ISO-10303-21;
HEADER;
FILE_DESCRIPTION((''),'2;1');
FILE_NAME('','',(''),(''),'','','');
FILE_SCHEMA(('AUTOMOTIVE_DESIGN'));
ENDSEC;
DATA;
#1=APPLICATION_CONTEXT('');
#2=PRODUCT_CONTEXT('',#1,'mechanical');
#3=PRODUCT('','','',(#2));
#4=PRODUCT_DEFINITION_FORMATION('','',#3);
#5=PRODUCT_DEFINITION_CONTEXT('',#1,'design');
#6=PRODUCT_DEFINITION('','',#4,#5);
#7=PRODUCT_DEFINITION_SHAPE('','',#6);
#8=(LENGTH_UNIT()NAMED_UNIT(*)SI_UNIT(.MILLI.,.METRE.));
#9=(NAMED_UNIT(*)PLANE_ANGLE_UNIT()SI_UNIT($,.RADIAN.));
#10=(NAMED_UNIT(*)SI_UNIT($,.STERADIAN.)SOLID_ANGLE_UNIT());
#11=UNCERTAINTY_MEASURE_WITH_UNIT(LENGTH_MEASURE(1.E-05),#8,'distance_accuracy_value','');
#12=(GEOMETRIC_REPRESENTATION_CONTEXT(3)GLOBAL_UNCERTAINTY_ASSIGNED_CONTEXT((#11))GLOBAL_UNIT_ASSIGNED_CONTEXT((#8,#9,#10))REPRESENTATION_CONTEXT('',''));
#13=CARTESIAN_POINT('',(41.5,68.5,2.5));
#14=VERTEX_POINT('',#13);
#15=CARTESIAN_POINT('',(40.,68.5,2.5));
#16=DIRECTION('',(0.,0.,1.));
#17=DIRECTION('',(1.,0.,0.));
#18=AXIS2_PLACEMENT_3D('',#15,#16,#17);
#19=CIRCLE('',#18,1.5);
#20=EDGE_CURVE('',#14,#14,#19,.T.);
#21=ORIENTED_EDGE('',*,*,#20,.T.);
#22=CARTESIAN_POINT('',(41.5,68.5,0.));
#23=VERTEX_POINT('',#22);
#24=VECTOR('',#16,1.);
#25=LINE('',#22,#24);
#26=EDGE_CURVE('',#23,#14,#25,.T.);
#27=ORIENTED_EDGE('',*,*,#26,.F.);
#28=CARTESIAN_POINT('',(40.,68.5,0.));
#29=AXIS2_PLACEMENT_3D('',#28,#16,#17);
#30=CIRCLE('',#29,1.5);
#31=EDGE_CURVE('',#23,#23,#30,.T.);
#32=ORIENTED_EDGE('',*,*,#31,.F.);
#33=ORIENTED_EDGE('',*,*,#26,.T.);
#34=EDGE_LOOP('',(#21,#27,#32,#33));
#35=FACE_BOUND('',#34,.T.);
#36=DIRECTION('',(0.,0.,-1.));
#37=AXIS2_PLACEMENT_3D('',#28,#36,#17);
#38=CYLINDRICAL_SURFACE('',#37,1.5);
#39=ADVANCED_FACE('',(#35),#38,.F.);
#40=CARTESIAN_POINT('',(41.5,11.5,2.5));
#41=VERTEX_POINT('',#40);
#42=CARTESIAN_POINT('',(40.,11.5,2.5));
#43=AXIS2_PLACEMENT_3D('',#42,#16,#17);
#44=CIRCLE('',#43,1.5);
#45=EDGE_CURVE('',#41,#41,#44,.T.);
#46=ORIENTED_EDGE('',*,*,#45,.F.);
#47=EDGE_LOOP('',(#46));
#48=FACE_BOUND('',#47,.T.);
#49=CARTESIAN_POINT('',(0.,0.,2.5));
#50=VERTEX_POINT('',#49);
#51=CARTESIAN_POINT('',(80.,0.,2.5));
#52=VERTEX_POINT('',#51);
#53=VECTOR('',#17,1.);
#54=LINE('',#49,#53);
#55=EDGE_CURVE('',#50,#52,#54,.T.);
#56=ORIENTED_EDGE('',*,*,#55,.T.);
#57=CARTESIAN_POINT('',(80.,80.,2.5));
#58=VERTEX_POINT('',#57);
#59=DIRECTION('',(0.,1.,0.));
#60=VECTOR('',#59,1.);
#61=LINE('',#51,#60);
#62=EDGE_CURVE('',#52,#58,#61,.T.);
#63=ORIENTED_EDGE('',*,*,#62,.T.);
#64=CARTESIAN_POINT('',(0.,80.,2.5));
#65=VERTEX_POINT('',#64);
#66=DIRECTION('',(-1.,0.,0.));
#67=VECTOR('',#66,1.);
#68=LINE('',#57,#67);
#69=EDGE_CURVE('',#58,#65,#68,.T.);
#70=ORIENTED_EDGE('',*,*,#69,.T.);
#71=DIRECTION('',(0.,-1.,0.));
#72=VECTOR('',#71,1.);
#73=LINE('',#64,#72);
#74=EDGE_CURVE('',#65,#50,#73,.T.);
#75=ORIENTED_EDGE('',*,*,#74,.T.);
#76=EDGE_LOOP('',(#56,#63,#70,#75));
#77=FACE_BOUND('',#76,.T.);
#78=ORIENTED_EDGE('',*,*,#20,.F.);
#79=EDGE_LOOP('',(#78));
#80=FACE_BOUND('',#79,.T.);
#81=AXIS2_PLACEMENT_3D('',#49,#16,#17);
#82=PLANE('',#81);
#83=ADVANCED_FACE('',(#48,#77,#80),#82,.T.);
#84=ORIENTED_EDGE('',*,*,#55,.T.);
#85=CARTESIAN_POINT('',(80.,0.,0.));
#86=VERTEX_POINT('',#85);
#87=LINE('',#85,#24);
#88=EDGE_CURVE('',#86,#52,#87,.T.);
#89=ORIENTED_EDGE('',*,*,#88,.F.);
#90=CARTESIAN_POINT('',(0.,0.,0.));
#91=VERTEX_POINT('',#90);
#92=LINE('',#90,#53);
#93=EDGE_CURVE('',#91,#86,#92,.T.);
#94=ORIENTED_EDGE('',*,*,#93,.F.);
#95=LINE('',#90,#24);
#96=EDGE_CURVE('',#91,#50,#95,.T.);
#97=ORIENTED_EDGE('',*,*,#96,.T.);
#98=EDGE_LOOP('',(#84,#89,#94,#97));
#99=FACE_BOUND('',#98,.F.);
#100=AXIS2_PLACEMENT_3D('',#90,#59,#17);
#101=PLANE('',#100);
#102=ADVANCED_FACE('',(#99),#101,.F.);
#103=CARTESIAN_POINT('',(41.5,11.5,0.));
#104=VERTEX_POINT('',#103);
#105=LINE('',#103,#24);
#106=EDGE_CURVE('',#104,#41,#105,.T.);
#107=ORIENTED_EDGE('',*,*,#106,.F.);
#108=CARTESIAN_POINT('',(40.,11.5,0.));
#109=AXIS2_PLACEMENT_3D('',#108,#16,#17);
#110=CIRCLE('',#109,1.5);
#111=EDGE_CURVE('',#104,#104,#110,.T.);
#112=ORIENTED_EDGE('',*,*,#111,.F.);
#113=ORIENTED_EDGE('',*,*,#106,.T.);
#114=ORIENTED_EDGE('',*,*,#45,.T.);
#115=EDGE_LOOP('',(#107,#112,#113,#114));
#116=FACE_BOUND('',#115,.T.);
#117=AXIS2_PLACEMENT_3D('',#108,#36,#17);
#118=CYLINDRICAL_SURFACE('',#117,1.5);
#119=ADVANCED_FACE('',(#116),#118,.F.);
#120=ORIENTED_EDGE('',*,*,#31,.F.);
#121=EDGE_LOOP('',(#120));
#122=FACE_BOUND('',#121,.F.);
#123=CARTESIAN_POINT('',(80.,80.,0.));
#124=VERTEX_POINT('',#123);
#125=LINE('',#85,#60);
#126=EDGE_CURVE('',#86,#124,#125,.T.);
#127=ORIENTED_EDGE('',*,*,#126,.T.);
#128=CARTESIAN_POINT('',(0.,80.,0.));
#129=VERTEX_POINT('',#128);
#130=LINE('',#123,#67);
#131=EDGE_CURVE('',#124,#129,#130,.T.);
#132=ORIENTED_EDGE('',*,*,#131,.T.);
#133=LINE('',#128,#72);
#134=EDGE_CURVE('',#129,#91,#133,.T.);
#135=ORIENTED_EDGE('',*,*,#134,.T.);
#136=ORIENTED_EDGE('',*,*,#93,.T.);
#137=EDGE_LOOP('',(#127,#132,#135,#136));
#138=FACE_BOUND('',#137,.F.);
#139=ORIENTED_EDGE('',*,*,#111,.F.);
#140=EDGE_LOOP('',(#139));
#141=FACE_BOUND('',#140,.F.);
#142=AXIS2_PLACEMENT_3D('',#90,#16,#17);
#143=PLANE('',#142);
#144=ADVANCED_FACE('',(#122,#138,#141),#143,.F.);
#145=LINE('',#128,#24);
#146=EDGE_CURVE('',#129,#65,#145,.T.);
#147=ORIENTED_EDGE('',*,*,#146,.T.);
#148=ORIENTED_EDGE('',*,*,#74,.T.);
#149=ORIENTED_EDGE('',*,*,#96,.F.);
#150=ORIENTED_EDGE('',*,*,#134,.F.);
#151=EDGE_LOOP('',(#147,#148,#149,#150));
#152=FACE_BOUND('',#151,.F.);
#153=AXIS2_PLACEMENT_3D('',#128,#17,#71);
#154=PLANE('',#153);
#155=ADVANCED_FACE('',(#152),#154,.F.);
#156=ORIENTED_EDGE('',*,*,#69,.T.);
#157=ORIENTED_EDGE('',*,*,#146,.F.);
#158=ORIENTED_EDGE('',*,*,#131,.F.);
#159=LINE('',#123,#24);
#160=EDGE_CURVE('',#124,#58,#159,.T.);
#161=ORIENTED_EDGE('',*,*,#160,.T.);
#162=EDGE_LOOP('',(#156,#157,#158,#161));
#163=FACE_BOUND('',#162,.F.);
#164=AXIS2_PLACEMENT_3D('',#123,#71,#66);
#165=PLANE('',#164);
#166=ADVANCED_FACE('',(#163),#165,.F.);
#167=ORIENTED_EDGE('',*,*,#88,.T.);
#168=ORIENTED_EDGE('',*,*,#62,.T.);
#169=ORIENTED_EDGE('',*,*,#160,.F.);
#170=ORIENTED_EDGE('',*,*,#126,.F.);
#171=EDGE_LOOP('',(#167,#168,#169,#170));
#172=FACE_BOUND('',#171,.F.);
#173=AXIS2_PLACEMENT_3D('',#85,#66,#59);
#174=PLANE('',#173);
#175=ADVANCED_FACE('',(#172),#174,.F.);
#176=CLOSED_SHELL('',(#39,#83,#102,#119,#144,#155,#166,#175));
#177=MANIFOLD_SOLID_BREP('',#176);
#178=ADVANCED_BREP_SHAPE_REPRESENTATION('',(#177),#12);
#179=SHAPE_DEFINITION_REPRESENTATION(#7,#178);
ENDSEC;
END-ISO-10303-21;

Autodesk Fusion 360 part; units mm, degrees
sketch "Sketch1" plane through (0, 0, 0) normal (0, 0, 1) x (1, 0, 0)
  line L0 (0, 0) -> (80, 0)
  line L1 (80, 0) -> (80, 80)
  line L2 (80, 80) -> (0, 80)
  line L3 (0, 80) -> (0, 0)
  circle A0 centre (40, 68.5) radius 1.5
  circle A1 centre (40, 11.5) radius 1.5
  dimension "d1" = 80
  dimension "d2" = 80
  dimension "d3" = 3
  dimension "d4" = 3
  dimension "d5" = 57
  dimension "d6" = 40
  dimension "d7" = 40
  dimension "d8" = 11.5
extrude "Extrude1" add sketch "Sketch1" along normal blind 2.5
